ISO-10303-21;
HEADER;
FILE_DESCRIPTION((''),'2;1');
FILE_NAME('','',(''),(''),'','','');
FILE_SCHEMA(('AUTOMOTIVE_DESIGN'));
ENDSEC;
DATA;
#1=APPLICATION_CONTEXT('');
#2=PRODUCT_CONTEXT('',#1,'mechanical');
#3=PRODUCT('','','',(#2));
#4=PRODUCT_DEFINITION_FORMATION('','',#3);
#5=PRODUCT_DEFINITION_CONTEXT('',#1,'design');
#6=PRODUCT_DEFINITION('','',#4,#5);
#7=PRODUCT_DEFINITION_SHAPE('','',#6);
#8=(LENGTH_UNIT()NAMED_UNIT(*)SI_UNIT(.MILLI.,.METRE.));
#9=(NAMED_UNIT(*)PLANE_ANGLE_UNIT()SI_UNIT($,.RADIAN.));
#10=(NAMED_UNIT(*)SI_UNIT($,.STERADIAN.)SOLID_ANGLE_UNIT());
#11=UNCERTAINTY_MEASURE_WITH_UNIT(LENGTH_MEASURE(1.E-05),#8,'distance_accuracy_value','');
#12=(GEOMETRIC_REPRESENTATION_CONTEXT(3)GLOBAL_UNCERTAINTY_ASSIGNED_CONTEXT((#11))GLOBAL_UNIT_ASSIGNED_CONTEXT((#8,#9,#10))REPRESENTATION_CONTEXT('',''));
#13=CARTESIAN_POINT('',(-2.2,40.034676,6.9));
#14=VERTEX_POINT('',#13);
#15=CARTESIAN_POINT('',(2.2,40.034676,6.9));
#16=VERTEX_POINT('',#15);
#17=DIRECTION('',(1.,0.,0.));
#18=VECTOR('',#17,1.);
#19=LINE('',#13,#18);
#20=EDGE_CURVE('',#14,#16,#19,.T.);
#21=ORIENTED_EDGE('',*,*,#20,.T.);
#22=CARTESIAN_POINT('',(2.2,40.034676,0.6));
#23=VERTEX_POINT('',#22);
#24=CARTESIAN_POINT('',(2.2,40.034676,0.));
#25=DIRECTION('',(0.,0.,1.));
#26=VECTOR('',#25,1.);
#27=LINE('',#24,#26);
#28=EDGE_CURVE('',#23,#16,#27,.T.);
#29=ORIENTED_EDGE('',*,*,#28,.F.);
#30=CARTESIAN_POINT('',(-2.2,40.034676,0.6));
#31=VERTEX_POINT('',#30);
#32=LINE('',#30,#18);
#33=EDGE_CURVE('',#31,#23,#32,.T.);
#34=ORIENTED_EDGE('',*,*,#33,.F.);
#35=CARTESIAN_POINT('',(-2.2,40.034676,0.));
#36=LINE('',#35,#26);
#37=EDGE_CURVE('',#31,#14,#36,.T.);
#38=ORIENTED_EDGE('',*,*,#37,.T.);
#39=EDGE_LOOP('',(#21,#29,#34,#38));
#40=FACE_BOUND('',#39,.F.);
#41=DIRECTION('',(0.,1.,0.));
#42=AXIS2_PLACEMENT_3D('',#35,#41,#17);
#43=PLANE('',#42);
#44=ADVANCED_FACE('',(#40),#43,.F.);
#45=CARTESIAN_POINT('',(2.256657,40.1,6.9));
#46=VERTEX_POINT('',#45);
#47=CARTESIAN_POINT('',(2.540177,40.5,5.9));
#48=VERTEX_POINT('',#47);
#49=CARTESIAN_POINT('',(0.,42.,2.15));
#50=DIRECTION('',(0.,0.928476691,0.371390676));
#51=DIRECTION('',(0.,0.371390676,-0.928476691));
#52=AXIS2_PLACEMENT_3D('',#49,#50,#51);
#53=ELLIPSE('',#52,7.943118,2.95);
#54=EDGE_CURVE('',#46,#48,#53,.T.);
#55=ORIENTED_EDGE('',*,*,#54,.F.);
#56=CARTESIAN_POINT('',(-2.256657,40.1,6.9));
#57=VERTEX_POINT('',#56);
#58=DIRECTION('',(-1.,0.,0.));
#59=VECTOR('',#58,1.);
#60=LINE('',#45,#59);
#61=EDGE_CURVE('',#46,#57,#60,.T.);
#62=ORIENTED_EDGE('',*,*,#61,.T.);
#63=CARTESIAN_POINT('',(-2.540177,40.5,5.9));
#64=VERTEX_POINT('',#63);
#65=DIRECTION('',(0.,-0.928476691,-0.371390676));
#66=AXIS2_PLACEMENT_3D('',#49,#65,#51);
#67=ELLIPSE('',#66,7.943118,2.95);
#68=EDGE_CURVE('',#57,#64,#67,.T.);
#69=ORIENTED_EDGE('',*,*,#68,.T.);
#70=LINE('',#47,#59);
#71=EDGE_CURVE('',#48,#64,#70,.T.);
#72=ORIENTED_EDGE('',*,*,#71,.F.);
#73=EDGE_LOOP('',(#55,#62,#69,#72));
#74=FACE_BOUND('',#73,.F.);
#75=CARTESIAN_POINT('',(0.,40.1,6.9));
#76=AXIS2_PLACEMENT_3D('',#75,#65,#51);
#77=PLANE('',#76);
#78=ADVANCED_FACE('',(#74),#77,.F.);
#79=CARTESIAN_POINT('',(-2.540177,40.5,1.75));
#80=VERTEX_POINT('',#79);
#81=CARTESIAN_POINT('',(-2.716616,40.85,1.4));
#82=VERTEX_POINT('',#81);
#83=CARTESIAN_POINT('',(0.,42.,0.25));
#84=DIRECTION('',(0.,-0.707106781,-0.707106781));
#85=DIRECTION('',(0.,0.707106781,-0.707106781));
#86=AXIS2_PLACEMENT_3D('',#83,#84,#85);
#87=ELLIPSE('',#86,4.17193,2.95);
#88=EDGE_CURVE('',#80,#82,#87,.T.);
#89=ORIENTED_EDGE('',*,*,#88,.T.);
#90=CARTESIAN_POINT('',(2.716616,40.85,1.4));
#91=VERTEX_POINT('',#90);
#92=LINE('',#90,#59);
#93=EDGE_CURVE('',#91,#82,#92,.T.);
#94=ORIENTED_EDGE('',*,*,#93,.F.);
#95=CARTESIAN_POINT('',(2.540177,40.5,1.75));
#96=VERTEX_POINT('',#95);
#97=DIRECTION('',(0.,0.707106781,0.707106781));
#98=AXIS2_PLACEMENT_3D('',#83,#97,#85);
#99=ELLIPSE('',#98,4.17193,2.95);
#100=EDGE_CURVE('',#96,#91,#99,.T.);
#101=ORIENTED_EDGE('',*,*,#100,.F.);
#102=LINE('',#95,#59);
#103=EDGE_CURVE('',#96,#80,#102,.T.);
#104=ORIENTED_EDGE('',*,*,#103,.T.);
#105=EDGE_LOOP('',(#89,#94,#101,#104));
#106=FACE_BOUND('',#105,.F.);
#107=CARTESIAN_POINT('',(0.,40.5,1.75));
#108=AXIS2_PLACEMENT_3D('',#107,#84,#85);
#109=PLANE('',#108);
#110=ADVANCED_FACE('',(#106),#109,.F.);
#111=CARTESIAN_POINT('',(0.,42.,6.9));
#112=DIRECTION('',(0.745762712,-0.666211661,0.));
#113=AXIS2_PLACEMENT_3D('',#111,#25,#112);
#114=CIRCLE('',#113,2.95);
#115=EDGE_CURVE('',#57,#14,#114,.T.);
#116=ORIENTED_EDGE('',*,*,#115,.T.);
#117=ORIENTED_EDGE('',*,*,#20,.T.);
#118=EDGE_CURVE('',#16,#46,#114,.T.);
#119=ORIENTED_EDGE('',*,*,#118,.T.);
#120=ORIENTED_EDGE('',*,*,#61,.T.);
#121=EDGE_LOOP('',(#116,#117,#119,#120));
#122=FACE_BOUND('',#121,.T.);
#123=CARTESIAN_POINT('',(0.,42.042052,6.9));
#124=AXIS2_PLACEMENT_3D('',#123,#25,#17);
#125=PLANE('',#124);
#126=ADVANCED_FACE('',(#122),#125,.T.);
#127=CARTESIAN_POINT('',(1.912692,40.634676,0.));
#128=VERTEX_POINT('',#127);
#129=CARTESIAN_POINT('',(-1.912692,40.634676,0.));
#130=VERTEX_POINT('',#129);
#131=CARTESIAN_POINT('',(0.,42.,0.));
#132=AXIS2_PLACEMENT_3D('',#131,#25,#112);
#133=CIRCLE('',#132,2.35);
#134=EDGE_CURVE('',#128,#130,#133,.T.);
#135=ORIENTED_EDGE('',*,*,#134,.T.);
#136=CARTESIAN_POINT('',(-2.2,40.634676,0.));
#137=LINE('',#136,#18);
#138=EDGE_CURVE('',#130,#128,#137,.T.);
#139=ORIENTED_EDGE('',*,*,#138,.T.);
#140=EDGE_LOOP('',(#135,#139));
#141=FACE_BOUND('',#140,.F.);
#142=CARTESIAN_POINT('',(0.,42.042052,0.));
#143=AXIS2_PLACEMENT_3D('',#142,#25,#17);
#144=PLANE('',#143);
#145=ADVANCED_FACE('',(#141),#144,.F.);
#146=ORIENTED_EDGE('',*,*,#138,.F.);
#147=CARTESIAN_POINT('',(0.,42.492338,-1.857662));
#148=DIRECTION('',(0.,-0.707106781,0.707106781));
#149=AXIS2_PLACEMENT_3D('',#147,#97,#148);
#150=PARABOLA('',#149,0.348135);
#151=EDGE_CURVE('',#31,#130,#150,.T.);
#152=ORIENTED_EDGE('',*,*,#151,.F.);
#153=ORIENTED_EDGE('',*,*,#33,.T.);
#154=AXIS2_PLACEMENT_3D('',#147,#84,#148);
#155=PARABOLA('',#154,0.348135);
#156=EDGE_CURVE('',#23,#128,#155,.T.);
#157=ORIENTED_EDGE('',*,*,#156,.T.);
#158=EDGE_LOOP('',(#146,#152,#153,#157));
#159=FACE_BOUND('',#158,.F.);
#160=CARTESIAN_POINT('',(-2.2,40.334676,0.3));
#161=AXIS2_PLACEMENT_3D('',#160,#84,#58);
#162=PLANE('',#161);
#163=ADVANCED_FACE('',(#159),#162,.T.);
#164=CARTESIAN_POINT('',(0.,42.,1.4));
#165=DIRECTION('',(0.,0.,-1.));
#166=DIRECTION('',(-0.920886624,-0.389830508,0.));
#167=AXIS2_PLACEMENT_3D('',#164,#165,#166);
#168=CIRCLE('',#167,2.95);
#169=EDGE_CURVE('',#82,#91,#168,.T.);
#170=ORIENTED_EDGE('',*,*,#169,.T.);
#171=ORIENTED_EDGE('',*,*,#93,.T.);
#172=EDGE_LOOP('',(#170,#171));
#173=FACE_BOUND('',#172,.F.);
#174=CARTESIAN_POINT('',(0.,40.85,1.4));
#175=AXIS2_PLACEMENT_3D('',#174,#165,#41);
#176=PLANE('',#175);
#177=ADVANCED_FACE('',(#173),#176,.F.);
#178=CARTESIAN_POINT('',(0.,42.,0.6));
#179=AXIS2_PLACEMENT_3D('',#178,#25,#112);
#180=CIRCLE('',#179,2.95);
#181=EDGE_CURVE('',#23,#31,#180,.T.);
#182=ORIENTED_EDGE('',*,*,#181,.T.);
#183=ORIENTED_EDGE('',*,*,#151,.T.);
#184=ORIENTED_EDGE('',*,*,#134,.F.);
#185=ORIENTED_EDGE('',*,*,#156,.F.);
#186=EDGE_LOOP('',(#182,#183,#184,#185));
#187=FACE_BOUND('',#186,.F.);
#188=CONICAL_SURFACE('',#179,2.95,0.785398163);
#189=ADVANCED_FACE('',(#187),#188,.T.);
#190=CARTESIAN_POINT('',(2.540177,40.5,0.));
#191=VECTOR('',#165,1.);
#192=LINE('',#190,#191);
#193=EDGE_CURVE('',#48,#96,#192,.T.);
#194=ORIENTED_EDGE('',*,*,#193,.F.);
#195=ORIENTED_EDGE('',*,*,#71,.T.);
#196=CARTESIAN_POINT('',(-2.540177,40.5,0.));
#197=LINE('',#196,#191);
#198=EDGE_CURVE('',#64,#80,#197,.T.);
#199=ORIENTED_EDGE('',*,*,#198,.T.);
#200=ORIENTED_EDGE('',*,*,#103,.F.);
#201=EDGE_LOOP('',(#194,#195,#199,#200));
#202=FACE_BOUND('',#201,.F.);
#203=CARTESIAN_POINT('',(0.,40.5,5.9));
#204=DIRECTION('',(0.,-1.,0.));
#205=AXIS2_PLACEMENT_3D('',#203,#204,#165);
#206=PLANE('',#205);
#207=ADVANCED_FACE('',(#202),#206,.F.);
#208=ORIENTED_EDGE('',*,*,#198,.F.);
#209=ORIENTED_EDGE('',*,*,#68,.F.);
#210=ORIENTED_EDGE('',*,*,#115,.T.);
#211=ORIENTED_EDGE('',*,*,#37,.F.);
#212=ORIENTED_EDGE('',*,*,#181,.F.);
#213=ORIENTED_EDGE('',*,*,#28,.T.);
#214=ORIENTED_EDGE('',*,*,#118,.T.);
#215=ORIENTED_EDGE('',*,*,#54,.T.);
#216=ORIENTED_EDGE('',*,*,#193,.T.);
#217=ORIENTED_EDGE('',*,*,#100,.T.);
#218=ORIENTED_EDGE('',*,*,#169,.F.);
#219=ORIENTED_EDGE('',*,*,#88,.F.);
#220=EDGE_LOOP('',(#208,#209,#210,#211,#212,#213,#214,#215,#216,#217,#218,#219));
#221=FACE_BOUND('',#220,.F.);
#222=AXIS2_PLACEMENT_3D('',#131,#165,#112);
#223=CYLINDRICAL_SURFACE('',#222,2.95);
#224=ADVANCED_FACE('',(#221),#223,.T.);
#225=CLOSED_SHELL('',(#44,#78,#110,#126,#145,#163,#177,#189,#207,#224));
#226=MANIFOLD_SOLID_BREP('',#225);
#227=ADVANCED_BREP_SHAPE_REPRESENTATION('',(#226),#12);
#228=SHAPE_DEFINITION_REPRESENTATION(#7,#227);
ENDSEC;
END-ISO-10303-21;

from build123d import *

# Parameters (mm, degrees)
PAD007_DEPTH         = 6.9
POCKET005_DEPTH      = 2.951
POCKET005_DEPTH_BACK = 2.951
CHAMFER008_SIZE      = 0.6


with BuildPart() as part:
    # Sketch018 → Pad007 (new body)
    with BuildSketch(Plane.XY):
        with BuildLine():
            ThreePointArc((2.2, -1.9653244007), (0, 2.95), (-2.2, -1.9653244007))
            Line((-2.2, -1.9653244007), (2.2, -1.9653244007))
        make_face()
    extrude(amount=PAD007_DEPTH)

    # Sketch019 → Pocket005 (cut, two sides)
    with BuildSketch(Plane.YZ) as pocket005_sk:
        Polygon((-1.9, 6.9), (-1.5, 5.9), (-1.5, 1.75), (-1.15, 1.4), (5, 1.4), (5, 6.9), align=None)
    extrude(amount=-POCKET005_DEPTH, mode=Mode.SUBTRACT)
    extrude(pocket005_sk.sketch, amount=POCKET005_DEPTH_BACK, mode=Mode.SUBTRACT)

    # Chamfer008
    chamfer008_edges = [part.edges().sort_by_distance(p)[0] for p in [
        (0, 2.95, 0),
        (0, -1.965324, 0),
    ]]
    chamfer(chamfer008_edges, length=CHAMFER008_SIZE)


with BuildPart() as part_1:
    # Body057 placement: moved
    add(part.part.moved(Location((0, 42, 0))))


solid = part_1.part
